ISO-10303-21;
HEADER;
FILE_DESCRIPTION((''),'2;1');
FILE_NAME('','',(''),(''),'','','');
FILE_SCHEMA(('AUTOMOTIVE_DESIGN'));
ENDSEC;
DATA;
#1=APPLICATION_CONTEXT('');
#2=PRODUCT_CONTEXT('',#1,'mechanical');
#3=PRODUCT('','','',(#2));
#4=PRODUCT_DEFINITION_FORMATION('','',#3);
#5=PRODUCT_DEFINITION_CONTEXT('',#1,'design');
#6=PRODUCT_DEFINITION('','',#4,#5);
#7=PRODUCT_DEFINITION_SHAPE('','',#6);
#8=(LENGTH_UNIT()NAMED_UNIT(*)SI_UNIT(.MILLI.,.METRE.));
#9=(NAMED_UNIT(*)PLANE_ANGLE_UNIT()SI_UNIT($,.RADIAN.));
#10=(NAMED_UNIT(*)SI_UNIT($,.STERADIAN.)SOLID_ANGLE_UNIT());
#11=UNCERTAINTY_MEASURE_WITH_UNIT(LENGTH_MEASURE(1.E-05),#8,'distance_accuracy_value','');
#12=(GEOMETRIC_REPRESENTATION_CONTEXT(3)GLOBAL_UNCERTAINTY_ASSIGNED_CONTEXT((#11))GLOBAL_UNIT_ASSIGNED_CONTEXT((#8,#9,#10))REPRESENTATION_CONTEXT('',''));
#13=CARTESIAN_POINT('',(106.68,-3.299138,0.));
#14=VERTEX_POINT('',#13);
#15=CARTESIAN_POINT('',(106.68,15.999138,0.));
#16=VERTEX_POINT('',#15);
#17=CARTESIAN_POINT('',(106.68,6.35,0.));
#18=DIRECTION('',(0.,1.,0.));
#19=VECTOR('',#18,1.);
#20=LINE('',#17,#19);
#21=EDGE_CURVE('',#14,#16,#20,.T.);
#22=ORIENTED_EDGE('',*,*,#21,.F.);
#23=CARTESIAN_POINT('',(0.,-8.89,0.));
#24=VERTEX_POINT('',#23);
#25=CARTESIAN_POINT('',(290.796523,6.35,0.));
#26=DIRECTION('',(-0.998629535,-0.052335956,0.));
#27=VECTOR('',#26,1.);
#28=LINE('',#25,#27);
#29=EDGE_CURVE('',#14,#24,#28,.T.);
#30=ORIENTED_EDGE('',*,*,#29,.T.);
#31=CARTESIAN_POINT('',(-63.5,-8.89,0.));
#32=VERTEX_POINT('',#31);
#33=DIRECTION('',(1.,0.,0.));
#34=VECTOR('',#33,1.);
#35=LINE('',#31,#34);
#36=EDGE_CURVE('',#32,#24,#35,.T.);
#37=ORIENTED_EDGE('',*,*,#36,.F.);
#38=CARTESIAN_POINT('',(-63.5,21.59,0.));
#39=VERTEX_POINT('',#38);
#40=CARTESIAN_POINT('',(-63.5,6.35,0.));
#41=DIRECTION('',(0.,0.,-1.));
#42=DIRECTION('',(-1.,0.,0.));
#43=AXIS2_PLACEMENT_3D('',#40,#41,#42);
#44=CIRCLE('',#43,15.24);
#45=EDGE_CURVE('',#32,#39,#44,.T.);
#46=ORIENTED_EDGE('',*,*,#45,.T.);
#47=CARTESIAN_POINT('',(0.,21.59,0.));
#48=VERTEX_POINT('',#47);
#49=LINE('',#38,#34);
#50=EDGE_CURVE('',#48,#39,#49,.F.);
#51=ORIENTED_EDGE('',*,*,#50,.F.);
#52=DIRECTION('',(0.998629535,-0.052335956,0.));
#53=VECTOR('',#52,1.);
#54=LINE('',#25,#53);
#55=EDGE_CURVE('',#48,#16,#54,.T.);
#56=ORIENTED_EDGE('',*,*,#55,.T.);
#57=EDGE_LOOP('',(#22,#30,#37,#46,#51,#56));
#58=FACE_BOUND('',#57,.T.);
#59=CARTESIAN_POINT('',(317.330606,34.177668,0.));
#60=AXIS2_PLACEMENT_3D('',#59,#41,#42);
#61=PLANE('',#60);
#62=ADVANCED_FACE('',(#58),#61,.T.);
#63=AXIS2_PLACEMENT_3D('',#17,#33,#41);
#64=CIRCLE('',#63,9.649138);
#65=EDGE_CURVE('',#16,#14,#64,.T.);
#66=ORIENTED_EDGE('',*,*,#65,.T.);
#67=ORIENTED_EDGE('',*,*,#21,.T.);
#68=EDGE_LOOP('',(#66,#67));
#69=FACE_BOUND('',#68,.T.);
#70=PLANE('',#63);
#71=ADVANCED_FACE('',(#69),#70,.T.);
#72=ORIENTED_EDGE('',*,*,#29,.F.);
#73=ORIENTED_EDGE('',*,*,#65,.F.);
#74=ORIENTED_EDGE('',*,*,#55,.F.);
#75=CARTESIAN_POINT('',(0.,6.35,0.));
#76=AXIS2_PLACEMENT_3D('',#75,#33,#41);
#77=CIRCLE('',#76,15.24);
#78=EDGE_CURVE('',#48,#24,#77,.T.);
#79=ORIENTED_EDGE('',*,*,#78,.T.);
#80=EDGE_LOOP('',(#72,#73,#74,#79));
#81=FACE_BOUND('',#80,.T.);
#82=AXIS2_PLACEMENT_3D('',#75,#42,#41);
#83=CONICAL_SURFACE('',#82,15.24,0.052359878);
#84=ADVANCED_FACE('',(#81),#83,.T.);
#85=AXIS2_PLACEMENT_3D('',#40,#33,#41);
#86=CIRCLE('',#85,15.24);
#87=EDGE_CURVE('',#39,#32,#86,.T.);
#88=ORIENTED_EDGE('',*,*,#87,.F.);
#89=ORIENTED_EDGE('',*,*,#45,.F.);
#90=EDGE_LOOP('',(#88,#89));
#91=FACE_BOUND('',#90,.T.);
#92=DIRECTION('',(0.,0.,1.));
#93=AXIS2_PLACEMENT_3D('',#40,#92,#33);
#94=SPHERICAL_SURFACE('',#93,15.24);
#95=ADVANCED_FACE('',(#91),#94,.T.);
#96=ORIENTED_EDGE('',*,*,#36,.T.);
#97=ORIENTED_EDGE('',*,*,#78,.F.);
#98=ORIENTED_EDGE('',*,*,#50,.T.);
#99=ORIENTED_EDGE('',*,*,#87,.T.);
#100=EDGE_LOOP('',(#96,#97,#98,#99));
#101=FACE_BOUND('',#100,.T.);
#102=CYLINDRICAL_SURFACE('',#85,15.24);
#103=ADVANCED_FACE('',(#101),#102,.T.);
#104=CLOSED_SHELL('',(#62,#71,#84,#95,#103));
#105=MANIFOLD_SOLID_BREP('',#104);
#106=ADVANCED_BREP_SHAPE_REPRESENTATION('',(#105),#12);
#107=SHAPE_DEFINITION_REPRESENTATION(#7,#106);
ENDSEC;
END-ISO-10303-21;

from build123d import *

# Parameters (mm, degrees)
SKETCH1_R                = 15.24
EXTRUDE1_DEPTH           = 106.68
EXTRUDE1_TAPER           = 3
EXTRUDE1_OTHER_WAY_DEPTH = 63.5
DOME1_FACE_RADIUS        = 15.24
DOME1_HEIGHT             = 15.24
EXTRUDE2_DEPTH           = 110.904540983
EXTRUDE2_DEPTH_BACK      = 110.904540983


with BuildPart() as part:
    # Sketch1 → Extrude1 (new body)
    with BuildSketch(Plane(origin=(0, 0, 0), x_dir=(0, 0, -1), z_dir=(1, 0, 0))):
        with Locations((0, 6.35)):
            Circle(SKETCH1_R)
    extrude(amount=EXTRUDE1_DEPTH, taper=EXTRUDE1_TAPER)

    # Sketch1 → Extrude1 other way (add)
    with BuildSketch(Plane(origin=(0, 0, 0), x_dir=(0, 0, -1), z_dir=(1, 0, 0))):
        with Locations((0, 6.35)):
            Circle(SKETCH1_R)
    extrude(amount=-EXTRUDE1_OTHER_WAY_DEPTH)

    # Dome1: a dome of height H over a round flat face of radius A is a cap of a sphere of radius (A * A + H * H) / (2 * H)
    dome1_r = (DOME1_FACE_RADIUS * DOME1_FACE_RADIUS + DOME1_HEIGHT * DOME1_HEIGHT) / (2 * DOME1_HEIGHT)
    dome1_base = Plane((-63.5, 6.35, 0), z_dir=(-1, 0, 0))
    with Locations(dome1_base.offset(DOME1_HEIGHT - dome1_r)):
        dome1_ball = Sphere(dome1_r, mode=Mode.PRIVATE)
    add(split(dome1_ball, bisect_by=dome1_base, keep=Keep.TOP, mode=Mode.PRIVATE))

    # Sketch3 → Extrude2 (cut, two sides: drawn at the far end of the back side and taken through both)
    with BuildSketch(Plane(origin=(0, 0, 0), x_dir=(0, 0, -1), z_dir=(1, 0, 0)).offset(-EXTRUDE2_DEPTH_BACK)):
        Polygon((0, 142.420252654), (0, 34.177667736), (0, -25.107363528), (0, -133.349948446), (216.485169836, -133.349948446), (216.485169836, 142.420252654), align=None)
    extrude(amount=EXTRUDE2_DEPTH + EXTRUDE2_DEPTH_BACK, mode=Mode.SUBTRACT)


solid = part.part
